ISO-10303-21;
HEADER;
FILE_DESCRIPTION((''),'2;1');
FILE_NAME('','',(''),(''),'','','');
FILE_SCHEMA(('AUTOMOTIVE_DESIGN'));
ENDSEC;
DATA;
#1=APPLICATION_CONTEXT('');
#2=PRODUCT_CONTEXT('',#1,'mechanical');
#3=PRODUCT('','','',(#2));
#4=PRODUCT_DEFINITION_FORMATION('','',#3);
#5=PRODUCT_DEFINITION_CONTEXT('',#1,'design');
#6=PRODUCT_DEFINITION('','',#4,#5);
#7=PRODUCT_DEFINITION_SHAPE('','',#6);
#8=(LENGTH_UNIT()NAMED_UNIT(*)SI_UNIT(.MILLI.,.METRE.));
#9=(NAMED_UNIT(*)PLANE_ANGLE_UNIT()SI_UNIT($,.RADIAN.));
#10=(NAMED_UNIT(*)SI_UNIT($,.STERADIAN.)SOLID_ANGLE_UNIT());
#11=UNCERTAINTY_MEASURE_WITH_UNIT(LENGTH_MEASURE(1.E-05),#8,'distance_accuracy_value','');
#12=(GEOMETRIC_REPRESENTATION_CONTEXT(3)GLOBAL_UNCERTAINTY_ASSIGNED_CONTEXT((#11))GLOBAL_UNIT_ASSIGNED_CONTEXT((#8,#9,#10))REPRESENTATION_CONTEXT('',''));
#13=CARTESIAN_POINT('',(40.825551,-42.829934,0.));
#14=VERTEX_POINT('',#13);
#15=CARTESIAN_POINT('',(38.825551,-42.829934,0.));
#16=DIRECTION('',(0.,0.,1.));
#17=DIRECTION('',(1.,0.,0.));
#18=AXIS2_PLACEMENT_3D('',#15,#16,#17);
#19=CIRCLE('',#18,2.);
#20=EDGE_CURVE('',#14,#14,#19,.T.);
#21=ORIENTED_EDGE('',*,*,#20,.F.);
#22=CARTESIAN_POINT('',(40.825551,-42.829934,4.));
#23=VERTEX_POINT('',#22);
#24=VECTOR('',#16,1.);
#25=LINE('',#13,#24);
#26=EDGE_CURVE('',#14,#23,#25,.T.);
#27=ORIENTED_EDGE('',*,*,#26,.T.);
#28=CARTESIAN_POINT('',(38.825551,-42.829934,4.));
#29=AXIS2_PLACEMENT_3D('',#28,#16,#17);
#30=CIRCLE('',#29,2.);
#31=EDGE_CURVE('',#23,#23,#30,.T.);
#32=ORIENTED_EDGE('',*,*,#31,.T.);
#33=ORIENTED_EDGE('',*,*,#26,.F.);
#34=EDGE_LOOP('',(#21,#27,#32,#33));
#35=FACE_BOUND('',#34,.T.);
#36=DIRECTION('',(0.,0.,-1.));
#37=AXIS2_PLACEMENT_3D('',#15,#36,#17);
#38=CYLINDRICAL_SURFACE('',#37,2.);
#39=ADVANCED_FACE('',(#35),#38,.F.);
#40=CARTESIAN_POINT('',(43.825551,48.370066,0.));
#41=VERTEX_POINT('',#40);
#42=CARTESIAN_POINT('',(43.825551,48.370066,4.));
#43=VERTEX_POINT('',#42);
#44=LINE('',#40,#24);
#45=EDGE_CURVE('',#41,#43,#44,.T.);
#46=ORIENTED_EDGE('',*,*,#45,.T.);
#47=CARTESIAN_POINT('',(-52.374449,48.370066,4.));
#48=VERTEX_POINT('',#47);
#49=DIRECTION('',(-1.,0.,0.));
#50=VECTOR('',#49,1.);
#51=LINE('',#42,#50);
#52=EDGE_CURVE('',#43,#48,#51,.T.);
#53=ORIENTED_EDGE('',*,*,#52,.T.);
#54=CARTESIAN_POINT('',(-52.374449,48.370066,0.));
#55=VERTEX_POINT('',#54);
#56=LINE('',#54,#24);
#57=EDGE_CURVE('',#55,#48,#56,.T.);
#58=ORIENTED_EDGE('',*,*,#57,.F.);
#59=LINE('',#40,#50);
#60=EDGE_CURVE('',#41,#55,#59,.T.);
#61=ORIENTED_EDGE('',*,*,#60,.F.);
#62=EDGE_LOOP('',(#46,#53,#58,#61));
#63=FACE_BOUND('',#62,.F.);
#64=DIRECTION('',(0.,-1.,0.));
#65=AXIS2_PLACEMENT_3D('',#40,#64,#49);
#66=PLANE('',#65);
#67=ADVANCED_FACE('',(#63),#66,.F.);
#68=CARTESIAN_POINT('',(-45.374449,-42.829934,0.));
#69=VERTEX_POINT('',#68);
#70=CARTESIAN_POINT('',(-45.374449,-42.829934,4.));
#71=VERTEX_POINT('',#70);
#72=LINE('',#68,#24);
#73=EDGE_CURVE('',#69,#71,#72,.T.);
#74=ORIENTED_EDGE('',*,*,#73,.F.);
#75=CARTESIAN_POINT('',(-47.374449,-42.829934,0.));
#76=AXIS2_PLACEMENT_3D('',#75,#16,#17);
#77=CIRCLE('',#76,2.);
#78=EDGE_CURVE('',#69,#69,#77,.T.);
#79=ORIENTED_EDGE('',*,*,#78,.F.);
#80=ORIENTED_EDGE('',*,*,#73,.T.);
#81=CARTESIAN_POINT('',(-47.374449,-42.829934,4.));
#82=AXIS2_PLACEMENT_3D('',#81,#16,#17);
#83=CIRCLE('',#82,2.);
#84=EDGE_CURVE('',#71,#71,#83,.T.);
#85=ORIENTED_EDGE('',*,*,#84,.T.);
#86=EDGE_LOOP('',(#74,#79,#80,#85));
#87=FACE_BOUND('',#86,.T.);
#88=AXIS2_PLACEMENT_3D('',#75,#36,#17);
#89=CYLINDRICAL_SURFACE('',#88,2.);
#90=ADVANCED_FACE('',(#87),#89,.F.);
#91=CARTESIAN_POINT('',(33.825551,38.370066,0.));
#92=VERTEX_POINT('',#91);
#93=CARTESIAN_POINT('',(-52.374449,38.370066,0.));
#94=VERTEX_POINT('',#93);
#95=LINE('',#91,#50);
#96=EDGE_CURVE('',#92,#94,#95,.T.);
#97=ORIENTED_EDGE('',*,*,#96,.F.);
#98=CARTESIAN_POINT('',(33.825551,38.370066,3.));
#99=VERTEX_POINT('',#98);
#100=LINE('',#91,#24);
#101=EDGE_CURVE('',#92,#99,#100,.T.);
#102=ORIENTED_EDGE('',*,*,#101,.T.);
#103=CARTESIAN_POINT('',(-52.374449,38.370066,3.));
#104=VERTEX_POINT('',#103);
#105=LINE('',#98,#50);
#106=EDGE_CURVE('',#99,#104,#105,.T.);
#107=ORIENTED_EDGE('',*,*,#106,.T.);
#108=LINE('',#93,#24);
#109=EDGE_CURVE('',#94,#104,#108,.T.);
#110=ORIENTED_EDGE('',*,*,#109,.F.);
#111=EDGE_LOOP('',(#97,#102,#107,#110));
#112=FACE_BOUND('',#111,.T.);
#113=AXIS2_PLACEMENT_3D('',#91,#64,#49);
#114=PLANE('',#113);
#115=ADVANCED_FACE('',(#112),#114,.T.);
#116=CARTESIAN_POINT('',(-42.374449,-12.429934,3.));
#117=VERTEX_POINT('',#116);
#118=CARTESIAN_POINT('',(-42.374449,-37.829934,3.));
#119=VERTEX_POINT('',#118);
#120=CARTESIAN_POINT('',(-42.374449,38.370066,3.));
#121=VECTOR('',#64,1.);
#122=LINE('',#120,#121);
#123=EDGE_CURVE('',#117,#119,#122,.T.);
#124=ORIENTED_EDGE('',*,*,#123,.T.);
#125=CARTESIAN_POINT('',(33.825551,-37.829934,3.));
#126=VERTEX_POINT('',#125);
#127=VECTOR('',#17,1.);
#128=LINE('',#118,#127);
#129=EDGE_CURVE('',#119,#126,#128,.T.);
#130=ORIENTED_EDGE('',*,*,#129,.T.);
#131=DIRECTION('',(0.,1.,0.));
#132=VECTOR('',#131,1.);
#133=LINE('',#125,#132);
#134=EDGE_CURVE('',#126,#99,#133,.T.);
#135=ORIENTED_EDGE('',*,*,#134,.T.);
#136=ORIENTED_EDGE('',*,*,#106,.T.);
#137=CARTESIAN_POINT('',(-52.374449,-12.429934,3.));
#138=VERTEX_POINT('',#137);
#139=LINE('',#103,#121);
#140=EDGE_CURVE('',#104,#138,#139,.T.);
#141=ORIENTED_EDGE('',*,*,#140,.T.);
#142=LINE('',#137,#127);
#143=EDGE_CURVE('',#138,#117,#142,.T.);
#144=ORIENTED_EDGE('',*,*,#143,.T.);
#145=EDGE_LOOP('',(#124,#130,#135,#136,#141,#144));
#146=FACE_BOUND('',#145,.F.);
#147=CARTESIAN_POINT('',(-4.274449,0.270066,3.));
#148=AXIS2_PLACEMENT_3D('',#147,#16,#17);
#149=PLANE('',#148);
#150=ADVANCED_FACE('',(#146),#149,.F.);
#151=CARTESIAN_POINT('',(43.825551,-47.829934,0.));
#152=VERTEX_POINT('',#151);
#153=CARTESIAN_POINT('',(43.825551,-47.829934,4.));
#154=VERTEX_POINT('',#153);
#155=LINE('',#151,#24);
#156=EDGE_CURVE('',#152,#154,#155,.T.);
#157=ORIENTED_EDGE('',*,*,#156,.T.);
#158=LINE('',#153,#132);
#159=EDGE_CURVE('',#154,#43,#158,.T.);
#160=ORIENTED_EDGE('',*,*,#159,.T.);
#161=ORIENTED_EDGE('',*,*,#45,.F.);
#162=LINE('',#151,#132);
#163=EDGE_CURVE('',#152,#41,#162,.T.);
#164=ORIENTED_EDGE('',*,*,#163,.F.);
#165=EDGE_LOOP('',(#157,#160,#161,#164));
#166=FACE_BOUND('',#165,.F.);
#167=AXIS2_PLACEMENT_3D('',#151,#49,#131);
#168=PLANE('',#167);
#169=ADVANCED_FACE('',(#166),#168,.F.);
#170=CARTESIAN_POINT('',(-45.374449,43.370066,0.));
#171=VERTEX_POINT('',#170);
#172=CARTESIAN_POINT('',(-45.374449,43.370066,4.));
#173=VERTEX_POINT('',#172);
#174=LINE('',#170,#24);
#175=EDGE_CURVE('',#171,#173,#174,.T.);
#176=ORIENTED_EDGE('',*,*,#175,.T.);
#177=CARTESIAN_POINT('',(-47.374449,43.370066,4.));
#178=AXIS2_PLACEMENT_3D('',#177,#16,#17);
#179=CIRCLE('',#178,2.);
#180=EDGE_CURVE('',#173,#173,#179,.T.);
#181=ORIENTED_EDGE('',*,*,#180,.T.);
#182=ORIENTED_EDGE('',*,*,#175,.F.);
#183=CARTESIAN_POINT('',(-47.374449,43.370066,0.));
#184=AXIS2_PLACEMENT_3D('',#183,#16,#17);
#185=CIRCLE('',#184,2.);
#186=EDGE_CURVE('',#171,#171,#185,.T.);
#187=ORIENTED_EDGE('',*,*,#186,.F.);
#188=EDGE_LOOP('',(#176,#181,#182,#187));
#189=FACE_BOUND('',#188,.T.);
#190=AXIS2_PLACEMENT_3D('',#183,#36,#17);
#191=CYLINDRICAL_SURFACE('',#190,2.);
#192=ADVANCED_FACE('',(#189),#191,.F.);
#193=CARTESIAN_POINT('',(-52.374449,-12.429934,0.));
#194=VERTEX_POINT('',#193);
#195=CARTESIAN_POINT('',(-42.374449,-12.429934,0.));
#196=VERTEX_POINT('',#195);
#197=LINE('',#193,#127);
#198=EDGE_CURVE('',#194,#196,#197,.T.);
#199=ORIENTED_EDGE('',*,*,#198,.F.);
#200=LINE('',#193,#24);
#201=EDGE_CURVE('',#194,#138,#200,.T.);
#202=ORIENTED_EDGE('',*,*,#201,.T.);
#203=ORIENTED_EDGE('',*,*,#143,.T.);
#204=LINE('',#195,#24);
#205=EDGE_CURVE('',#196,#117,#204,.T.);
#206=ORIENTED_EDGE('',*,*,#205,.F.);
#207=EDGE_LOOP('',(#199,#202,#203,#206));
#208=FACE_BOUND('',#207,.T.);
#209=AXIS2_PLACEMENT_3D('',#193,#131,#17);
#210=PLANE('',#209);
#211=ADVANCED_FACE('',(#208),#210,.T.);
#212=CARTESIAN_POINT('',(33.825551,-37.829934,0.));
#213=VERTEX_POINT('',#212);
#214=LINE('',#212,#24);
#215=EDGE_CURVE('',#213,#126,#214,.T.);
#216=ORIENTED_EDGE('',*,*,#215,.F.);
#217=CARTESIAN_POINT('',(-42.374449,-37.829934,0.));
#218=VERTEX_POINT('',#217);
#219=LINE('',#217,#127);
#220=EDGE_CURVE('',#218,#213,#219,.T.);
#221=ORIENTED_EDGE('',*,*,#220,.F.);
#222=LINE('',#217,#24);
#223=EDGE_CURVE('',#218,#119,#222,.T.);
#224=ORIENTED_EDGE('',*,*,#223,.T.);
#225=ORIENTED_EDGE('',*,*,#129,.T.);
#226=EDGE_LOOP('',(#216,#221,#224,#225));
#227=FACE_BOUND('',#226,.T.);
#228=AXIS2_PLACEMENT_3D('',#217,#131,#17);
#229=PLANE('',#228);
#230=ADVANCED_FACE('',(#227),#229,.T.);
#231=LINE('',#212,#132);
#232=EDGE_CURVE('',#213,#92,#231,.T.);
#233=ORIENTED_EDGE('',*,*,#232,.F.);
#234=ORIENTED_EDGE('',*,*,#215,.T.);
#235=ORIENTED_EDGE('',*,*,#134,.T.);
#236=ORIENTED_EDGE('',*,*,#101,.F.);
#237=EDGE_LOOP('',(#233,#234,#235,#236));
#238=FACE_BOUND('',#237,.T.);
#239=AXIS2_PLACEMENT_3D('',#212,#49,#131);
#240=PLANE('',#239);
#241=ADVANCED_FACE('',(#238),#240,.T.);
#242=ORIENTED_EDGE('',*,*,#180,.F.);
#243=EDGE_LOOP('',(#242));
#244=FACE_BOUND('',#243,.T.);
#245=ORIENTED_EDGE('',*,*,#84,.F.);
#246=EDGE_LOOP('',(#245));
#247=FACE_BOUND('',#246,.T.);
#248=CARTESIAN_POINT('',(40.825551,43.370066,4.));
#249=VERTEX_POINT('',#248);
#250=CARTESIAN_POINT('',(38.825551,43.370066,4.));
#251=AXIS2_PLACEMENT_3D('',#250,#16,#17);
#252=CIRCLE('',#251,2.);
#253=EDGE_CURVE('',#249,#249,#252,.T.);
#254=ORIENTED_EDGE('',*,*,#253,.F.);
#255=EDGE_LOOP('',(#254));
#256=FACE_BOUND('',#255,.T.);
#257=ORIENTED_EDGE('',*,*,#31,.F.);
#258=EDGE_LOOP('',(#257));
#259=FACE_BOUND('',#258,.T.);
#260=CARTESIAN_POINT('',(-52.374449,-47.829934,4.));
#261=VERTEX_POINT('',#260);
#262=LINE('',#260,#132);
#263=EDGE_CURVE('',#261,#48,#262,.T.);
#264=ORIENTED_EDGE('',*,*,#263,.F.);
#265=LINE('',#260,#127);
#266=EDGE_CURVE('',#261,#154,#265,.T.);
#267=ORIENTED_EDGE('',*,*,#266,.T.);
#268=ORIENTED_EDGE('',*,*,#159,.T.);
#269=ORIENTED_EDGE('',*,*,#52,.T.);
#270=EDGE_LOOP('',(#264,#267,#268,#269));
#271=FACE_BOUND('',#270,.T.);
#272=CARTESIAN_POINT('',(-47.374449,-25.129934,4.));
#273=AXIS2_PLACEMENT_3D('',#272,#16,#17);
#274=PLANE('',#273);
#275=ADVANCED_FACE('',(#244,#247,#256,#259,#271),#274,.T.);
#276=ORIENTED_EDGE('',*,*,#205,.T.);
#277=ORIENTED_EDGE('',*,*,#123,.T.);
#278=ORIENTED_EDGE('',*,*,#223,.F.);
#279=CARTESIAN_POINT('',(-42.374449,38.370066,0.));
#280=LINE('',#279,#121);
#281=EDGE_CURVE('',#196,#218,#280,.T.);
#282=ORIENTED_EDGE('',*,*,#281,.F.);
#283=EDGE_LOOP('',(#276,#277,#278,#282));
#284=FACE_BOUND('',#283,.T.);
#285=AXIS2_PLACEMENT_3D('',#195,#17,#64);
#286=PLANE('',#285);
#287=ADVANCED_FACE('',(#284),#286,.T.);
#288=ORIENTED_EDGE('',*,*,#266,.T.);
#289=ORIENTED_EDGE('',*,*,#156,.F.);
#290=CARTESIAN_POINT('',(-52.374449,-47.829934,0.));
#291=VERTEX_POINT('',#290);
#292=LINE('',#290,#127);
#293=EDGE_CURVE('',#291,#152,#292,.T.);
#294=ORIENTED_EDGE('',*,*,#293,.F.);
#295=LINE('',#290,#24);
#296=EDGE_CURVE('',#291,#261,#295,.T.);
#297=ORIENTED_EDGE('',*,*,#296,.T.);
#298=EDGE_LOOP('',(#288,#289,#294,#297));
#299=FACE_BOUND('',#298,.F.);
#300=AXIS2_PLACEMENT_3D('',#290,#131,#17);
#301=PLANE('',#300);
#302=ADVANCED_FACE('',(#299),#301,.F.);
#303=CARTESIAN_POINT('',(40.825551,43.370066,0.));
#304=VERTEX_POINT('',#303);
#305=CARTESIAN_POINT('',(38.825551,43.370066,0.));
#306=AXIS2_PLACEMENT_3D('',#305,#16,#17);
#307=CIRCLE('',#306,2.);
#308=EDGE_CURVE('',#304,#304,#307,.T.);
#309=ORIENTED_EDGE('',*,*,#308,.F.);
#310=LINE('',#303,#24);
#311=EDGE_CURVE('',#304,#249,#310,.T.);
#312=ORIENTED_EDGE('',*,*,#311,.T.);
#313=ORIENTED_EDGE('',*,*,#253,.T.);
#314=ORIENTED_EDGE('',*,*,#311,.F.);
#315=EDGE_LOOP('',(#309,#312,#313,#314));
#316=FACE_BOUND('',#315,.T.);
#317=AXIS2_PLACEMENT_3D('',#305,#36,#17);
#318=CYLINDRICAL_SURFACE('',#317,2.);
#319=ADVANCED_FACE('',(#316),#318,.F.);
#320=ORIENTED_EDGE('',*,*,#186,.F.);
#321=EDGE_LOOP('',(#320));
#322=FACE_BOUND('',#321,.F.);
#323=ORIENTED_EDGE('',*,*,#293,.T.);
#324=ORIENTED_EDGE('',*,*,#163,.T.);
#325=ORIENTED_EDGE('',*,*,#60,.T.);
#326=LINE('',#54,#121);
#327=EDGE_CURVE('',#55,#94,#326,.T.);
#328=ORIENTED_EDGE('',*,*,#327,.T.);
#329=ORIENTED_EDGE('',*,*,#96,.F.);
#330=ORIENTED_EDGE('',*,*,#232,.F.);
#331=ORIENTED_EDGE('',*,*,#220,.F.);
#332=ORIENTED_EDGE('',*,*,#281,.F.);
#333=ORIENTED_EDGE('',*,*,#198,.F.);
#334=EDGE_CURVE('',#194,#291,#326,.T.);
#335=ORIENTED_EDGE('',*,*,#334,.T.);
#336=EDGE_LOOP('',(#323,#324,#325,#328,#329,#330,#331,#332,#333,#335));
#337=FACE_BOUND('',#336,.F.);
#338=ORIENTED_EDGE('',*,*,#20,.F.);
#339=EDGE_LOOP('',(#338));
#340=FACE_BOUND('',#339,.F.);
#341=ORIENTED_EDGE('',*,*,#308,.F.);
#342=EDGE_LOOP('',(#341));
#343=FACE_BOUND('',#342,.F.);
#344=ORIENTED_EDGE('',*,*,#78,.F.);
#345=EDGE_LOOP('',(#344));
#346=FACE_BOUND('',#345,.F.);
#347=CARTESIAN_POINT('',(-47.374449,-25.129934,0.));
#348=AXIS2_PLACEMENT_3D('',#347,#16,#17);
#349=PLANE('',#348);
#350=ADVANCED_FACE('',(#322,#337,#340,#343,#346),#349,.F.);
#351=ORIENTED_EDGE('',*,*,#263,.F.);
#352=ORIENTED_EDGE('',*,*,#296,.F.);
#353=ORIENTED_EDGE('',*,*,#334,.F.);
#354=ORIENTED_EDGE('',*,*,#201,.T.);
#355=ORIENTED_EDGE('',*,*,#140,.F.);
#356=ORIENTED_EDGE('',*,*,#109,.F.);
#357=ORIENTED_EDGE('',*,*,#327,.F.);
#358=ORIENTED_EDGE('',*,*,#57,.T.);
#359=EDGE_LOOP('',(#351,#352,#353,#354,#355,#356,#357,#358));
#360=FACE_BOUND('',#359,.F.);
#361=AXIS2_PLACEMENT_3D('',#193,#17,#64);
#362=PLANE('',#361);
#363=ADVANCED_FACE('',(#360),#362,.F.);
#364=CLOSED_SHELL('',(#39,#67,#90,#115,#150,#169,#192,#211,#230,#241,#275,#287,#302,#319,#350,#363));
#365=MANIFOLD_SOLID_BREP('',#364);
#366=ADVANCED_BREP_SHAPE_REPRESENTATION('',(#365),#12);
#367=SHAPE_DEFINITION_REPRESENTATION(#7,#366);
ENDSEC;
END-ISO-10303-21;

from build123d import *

# Parameters (mm, degrees)
F0_R     = 2
F1_DEPTH = 4
F2_DEPTH = 4
F3_DEPTH = 3


with BuildPart() as f1:
    # F0 (on Top) → F1 (new body)
    with BuildSketch(Plane.XY):
        Polygon((38.825550833, 38.3700664616), (43.825550833, 38.3700664616), (43.825550833, 43.3700664616), (43.825550833, 48.3700664616), (33.825550833, 48.3700664616), (33.825550833, 38.4970664616), (33.825550833, 38.3700664616), (34.0726979835, 38.3700664616), align=None)
        with Locations((38.825550833, 43.3700664616)):
            Circle(F0_R, mode=Mode.SUBTRACT)
        Polygon((-42.374449167, 48.3700664616), (-42.374449167, 38.3700664616), (-42.120449167, 38.3700664616), (-38.437449167, 38.3700664616), (29.888550833, 38.3700664616), (33.571550833, 38.3700664616), (33.825550833, 38.3700664616), (33.825550833, 38.4970664616), (33.825550833, 48.3700664616), align=None)
        Polygon((33.825550833, -37.5759335384), (33.825550833, -37.8299335384), (33.9456979835, -37.8299335384), (43.825550833, -37.8299335384), (43.825550833, 38.3700664616), (38.825550833, 38.3700664616), (34.0726979835, 38.3700664616), (33.825550833, 38.3700664616), (33.825550833, 38.1160664616), (33.825550833, 34.4330664616), (33.825550833, 22.7744664616), (33.825550833, 16.7800664616), (33.825550833, -1.6349335384), (33.825550833, -6.0799335384), (33.825550833, -19.9229335384), (33.825550833, -20.0499335384), (33.825550833, -33.8929335384), align=None)
        Polygon((-52.374449167, 43.3700664616), (-52.374449167, 38.3700664616), (-47.374449167, 38.3700664616), (-42.374449167, 38.3700664616), (-42.374449167, 48.3700664616), (-52.374449167, 48.3700664616), align=None)
        with Locations((-47.374449167, 43.3700664616)):
            Circle(F0_R, mode=Mode.SUBTRACT)
        Polygon((-52.374449167, 38.3700664616), (-52.374449167, -12.4299335384), (-42.374449167, -12.4299335384), (-42.374449167, 34.4330664616), (-42.374449167, 38.1160664616), (-42.374449167, 38.3700664616), (-47.374449167, 38.3700664616), align=None)
        Polygon((-52.374449167, -42.8299335384), (-52.374449167, -47.8299335384), (-47.374449167, -47.8299335384), (-42.374449167, -47.8299335384), (-42.374449167, -37.8299335384), (-52.374449167, -37.8299335384), align=None)
        with Locations((-47.374449167, -42.8299335384)):
            Circle(F0_R, mode=Mode.SUBTRACT)
        Polygon((-42.374449167, -37.8299335384), (-42.374449167, -47.8299335384), (33.825550833, -47.8299335384), (33.825550833, -37.8299335384), (33.571550833, -37.8299335384), (33.317550833, -37.8299335384), (31.285550833, -37.8299335384), (30.269550833, -37.8299335384), (29.888550833, -37.8299335384), (13.302350833, -37.8299335384), (5.885550833, -37.8299335384), (2.253350833, -37.8299335384), (-38.437449167, -37.8299335384), (-42.120449167, -37.8299335384), align=None)
        Polygon((33.825550833, -37.8299335384), (33.825550833, -47.8299335384), (38.825550833, -47.8299335384), (43.825550833, -47.8299335384), (43.825550833, -42.8299335384), (43.825550833, -37.8299335384), (33.9456979835, -37.8299335384), align=None)
        with Locations((38.825550833, -42.8299335384)):
            Circle(F0_R, mode=Mode.SUBTRACT)
    extrude(amount=F1_DEPTH)

    # F0 (on Top) → F2 (join)
    with BuildSketch(Plane.XY):
        Polygon((-52.374449167, -12.4299335384), (-52.374449167, -37.8299335384), (-42.374449167, -37.8299335384), (-42.374449167, -37.5759335384), (-42.374449167, -36.0798128688), (-42.374449167, -33.8929335384), (-42.374449167, -12.4299335384), align=None)
        Polygon((-42.374449167, -37.5759335384), (-42.374449167, -37.8299335384), (-42.120449167, -37.8299335384), (-38.437449167, -37.8299335384), (2.253350833, -37.8299335384), (5.885550833, -37.8299335384), (13.302350833, -37.8299335384), (29.888550833, -37.8299335384), (30.269550833, -37.8299335384), (31.285550833, -37.8299335384), (33.317550833, -37.8299335384), (33.571550833, -37.8299335384), (33.825550833, -37.8299335384), (33.825550833, -37.5759335384), (33.825550833, -33.8929335384), (33.825550833, -20.0499335384), (33.825550833, -19.9229335384), (33.825550833, -6.0799335384), (33.825550833, -1.6349335384), (33.825550833, 16.7800664616), (33.825550833, 22.7744664616), (33.825550833, 34.4330664616), (33.825550833, 38.1160664616), (33.825550833, 38.3700664616), (33.571550833, 38.3700664616), (29.888550833, 38.3700664616), (-38.437449167, 38.3700664616), (-42.120449167, 38.3700664616), (-42.374449167, 38.3700664616), (-42.374449167, 38.1160664616), (-42.374449167, 34.4330664616), (-42.374449167, -12.4299335384), (-42.374449167, -33.8929335384), (-42.374449167, -36.0798128688), align=None)
    extrude(amount=F2_DEPTH)

    # F0 (on Top) → F3 (cut)
    with BuildSketch(Plane.XY):
        Polygon((-42.374449167, -37.5759335384), (-42.374449167, -37.8299335384), (-42.120449167, -37.8299335384), (-38.437449167, -37.8299335384), (2.253350833, -37.8299335384), (5.885550833, -37.8299335384), (13.302350833, -37.8299335384), (29.888550833, -37.8299335384), (30.269550833, -37.8299335384), (31.285550833, -37.8299335384), (33.317550833, -37.8299335384), (33.571550833, -37.8299335384), (33.825550833, -37.8299335384), (33.825550833, -37.5759335384), (33.825550833, -33.8929335384), (33.825550833, -20.0499335384), (33.825550833, -19.9229335384), (33.825550833, -6.0799335384), (33.825550833, -1.6349335384), (33.825550833, 16.7800664616), (33.825550833, 22.7744664616), (33.825550833, 34.4330664616), (33.825550833, 38.1160664616), (33.825550833, 38.3700664616), (33.571550833, 38.3700664616), (29.888550833, 38.3700664616), (-38.437449167, 38.3700664616), (-42.120449167, 38.3700664616), (-42.374449167, 38.3700664616), (-42.374449167, 38.1160664616), (-42.374449167, 34.4330664616), (-42.374449167, -12.4299335384), (-42.374449167, -33.8929335384), (-42.374449167, -36.0798128688), align=None)
        Polygon((-52.374449167, 38.3700664616), (-52.374449167, -12.4299335384), (-42.374449167, -12.4299335384), (-42.374449167, 34.4330664616), (-42.374449167, 38.1160664616), (-42.374449167, 38.3700664616), (-47.374449167, 38.3700664616), align=None)
    extrude(amount=F3_DEPTH, mode=Mode.SUBTRACT)


solid = f1.part
